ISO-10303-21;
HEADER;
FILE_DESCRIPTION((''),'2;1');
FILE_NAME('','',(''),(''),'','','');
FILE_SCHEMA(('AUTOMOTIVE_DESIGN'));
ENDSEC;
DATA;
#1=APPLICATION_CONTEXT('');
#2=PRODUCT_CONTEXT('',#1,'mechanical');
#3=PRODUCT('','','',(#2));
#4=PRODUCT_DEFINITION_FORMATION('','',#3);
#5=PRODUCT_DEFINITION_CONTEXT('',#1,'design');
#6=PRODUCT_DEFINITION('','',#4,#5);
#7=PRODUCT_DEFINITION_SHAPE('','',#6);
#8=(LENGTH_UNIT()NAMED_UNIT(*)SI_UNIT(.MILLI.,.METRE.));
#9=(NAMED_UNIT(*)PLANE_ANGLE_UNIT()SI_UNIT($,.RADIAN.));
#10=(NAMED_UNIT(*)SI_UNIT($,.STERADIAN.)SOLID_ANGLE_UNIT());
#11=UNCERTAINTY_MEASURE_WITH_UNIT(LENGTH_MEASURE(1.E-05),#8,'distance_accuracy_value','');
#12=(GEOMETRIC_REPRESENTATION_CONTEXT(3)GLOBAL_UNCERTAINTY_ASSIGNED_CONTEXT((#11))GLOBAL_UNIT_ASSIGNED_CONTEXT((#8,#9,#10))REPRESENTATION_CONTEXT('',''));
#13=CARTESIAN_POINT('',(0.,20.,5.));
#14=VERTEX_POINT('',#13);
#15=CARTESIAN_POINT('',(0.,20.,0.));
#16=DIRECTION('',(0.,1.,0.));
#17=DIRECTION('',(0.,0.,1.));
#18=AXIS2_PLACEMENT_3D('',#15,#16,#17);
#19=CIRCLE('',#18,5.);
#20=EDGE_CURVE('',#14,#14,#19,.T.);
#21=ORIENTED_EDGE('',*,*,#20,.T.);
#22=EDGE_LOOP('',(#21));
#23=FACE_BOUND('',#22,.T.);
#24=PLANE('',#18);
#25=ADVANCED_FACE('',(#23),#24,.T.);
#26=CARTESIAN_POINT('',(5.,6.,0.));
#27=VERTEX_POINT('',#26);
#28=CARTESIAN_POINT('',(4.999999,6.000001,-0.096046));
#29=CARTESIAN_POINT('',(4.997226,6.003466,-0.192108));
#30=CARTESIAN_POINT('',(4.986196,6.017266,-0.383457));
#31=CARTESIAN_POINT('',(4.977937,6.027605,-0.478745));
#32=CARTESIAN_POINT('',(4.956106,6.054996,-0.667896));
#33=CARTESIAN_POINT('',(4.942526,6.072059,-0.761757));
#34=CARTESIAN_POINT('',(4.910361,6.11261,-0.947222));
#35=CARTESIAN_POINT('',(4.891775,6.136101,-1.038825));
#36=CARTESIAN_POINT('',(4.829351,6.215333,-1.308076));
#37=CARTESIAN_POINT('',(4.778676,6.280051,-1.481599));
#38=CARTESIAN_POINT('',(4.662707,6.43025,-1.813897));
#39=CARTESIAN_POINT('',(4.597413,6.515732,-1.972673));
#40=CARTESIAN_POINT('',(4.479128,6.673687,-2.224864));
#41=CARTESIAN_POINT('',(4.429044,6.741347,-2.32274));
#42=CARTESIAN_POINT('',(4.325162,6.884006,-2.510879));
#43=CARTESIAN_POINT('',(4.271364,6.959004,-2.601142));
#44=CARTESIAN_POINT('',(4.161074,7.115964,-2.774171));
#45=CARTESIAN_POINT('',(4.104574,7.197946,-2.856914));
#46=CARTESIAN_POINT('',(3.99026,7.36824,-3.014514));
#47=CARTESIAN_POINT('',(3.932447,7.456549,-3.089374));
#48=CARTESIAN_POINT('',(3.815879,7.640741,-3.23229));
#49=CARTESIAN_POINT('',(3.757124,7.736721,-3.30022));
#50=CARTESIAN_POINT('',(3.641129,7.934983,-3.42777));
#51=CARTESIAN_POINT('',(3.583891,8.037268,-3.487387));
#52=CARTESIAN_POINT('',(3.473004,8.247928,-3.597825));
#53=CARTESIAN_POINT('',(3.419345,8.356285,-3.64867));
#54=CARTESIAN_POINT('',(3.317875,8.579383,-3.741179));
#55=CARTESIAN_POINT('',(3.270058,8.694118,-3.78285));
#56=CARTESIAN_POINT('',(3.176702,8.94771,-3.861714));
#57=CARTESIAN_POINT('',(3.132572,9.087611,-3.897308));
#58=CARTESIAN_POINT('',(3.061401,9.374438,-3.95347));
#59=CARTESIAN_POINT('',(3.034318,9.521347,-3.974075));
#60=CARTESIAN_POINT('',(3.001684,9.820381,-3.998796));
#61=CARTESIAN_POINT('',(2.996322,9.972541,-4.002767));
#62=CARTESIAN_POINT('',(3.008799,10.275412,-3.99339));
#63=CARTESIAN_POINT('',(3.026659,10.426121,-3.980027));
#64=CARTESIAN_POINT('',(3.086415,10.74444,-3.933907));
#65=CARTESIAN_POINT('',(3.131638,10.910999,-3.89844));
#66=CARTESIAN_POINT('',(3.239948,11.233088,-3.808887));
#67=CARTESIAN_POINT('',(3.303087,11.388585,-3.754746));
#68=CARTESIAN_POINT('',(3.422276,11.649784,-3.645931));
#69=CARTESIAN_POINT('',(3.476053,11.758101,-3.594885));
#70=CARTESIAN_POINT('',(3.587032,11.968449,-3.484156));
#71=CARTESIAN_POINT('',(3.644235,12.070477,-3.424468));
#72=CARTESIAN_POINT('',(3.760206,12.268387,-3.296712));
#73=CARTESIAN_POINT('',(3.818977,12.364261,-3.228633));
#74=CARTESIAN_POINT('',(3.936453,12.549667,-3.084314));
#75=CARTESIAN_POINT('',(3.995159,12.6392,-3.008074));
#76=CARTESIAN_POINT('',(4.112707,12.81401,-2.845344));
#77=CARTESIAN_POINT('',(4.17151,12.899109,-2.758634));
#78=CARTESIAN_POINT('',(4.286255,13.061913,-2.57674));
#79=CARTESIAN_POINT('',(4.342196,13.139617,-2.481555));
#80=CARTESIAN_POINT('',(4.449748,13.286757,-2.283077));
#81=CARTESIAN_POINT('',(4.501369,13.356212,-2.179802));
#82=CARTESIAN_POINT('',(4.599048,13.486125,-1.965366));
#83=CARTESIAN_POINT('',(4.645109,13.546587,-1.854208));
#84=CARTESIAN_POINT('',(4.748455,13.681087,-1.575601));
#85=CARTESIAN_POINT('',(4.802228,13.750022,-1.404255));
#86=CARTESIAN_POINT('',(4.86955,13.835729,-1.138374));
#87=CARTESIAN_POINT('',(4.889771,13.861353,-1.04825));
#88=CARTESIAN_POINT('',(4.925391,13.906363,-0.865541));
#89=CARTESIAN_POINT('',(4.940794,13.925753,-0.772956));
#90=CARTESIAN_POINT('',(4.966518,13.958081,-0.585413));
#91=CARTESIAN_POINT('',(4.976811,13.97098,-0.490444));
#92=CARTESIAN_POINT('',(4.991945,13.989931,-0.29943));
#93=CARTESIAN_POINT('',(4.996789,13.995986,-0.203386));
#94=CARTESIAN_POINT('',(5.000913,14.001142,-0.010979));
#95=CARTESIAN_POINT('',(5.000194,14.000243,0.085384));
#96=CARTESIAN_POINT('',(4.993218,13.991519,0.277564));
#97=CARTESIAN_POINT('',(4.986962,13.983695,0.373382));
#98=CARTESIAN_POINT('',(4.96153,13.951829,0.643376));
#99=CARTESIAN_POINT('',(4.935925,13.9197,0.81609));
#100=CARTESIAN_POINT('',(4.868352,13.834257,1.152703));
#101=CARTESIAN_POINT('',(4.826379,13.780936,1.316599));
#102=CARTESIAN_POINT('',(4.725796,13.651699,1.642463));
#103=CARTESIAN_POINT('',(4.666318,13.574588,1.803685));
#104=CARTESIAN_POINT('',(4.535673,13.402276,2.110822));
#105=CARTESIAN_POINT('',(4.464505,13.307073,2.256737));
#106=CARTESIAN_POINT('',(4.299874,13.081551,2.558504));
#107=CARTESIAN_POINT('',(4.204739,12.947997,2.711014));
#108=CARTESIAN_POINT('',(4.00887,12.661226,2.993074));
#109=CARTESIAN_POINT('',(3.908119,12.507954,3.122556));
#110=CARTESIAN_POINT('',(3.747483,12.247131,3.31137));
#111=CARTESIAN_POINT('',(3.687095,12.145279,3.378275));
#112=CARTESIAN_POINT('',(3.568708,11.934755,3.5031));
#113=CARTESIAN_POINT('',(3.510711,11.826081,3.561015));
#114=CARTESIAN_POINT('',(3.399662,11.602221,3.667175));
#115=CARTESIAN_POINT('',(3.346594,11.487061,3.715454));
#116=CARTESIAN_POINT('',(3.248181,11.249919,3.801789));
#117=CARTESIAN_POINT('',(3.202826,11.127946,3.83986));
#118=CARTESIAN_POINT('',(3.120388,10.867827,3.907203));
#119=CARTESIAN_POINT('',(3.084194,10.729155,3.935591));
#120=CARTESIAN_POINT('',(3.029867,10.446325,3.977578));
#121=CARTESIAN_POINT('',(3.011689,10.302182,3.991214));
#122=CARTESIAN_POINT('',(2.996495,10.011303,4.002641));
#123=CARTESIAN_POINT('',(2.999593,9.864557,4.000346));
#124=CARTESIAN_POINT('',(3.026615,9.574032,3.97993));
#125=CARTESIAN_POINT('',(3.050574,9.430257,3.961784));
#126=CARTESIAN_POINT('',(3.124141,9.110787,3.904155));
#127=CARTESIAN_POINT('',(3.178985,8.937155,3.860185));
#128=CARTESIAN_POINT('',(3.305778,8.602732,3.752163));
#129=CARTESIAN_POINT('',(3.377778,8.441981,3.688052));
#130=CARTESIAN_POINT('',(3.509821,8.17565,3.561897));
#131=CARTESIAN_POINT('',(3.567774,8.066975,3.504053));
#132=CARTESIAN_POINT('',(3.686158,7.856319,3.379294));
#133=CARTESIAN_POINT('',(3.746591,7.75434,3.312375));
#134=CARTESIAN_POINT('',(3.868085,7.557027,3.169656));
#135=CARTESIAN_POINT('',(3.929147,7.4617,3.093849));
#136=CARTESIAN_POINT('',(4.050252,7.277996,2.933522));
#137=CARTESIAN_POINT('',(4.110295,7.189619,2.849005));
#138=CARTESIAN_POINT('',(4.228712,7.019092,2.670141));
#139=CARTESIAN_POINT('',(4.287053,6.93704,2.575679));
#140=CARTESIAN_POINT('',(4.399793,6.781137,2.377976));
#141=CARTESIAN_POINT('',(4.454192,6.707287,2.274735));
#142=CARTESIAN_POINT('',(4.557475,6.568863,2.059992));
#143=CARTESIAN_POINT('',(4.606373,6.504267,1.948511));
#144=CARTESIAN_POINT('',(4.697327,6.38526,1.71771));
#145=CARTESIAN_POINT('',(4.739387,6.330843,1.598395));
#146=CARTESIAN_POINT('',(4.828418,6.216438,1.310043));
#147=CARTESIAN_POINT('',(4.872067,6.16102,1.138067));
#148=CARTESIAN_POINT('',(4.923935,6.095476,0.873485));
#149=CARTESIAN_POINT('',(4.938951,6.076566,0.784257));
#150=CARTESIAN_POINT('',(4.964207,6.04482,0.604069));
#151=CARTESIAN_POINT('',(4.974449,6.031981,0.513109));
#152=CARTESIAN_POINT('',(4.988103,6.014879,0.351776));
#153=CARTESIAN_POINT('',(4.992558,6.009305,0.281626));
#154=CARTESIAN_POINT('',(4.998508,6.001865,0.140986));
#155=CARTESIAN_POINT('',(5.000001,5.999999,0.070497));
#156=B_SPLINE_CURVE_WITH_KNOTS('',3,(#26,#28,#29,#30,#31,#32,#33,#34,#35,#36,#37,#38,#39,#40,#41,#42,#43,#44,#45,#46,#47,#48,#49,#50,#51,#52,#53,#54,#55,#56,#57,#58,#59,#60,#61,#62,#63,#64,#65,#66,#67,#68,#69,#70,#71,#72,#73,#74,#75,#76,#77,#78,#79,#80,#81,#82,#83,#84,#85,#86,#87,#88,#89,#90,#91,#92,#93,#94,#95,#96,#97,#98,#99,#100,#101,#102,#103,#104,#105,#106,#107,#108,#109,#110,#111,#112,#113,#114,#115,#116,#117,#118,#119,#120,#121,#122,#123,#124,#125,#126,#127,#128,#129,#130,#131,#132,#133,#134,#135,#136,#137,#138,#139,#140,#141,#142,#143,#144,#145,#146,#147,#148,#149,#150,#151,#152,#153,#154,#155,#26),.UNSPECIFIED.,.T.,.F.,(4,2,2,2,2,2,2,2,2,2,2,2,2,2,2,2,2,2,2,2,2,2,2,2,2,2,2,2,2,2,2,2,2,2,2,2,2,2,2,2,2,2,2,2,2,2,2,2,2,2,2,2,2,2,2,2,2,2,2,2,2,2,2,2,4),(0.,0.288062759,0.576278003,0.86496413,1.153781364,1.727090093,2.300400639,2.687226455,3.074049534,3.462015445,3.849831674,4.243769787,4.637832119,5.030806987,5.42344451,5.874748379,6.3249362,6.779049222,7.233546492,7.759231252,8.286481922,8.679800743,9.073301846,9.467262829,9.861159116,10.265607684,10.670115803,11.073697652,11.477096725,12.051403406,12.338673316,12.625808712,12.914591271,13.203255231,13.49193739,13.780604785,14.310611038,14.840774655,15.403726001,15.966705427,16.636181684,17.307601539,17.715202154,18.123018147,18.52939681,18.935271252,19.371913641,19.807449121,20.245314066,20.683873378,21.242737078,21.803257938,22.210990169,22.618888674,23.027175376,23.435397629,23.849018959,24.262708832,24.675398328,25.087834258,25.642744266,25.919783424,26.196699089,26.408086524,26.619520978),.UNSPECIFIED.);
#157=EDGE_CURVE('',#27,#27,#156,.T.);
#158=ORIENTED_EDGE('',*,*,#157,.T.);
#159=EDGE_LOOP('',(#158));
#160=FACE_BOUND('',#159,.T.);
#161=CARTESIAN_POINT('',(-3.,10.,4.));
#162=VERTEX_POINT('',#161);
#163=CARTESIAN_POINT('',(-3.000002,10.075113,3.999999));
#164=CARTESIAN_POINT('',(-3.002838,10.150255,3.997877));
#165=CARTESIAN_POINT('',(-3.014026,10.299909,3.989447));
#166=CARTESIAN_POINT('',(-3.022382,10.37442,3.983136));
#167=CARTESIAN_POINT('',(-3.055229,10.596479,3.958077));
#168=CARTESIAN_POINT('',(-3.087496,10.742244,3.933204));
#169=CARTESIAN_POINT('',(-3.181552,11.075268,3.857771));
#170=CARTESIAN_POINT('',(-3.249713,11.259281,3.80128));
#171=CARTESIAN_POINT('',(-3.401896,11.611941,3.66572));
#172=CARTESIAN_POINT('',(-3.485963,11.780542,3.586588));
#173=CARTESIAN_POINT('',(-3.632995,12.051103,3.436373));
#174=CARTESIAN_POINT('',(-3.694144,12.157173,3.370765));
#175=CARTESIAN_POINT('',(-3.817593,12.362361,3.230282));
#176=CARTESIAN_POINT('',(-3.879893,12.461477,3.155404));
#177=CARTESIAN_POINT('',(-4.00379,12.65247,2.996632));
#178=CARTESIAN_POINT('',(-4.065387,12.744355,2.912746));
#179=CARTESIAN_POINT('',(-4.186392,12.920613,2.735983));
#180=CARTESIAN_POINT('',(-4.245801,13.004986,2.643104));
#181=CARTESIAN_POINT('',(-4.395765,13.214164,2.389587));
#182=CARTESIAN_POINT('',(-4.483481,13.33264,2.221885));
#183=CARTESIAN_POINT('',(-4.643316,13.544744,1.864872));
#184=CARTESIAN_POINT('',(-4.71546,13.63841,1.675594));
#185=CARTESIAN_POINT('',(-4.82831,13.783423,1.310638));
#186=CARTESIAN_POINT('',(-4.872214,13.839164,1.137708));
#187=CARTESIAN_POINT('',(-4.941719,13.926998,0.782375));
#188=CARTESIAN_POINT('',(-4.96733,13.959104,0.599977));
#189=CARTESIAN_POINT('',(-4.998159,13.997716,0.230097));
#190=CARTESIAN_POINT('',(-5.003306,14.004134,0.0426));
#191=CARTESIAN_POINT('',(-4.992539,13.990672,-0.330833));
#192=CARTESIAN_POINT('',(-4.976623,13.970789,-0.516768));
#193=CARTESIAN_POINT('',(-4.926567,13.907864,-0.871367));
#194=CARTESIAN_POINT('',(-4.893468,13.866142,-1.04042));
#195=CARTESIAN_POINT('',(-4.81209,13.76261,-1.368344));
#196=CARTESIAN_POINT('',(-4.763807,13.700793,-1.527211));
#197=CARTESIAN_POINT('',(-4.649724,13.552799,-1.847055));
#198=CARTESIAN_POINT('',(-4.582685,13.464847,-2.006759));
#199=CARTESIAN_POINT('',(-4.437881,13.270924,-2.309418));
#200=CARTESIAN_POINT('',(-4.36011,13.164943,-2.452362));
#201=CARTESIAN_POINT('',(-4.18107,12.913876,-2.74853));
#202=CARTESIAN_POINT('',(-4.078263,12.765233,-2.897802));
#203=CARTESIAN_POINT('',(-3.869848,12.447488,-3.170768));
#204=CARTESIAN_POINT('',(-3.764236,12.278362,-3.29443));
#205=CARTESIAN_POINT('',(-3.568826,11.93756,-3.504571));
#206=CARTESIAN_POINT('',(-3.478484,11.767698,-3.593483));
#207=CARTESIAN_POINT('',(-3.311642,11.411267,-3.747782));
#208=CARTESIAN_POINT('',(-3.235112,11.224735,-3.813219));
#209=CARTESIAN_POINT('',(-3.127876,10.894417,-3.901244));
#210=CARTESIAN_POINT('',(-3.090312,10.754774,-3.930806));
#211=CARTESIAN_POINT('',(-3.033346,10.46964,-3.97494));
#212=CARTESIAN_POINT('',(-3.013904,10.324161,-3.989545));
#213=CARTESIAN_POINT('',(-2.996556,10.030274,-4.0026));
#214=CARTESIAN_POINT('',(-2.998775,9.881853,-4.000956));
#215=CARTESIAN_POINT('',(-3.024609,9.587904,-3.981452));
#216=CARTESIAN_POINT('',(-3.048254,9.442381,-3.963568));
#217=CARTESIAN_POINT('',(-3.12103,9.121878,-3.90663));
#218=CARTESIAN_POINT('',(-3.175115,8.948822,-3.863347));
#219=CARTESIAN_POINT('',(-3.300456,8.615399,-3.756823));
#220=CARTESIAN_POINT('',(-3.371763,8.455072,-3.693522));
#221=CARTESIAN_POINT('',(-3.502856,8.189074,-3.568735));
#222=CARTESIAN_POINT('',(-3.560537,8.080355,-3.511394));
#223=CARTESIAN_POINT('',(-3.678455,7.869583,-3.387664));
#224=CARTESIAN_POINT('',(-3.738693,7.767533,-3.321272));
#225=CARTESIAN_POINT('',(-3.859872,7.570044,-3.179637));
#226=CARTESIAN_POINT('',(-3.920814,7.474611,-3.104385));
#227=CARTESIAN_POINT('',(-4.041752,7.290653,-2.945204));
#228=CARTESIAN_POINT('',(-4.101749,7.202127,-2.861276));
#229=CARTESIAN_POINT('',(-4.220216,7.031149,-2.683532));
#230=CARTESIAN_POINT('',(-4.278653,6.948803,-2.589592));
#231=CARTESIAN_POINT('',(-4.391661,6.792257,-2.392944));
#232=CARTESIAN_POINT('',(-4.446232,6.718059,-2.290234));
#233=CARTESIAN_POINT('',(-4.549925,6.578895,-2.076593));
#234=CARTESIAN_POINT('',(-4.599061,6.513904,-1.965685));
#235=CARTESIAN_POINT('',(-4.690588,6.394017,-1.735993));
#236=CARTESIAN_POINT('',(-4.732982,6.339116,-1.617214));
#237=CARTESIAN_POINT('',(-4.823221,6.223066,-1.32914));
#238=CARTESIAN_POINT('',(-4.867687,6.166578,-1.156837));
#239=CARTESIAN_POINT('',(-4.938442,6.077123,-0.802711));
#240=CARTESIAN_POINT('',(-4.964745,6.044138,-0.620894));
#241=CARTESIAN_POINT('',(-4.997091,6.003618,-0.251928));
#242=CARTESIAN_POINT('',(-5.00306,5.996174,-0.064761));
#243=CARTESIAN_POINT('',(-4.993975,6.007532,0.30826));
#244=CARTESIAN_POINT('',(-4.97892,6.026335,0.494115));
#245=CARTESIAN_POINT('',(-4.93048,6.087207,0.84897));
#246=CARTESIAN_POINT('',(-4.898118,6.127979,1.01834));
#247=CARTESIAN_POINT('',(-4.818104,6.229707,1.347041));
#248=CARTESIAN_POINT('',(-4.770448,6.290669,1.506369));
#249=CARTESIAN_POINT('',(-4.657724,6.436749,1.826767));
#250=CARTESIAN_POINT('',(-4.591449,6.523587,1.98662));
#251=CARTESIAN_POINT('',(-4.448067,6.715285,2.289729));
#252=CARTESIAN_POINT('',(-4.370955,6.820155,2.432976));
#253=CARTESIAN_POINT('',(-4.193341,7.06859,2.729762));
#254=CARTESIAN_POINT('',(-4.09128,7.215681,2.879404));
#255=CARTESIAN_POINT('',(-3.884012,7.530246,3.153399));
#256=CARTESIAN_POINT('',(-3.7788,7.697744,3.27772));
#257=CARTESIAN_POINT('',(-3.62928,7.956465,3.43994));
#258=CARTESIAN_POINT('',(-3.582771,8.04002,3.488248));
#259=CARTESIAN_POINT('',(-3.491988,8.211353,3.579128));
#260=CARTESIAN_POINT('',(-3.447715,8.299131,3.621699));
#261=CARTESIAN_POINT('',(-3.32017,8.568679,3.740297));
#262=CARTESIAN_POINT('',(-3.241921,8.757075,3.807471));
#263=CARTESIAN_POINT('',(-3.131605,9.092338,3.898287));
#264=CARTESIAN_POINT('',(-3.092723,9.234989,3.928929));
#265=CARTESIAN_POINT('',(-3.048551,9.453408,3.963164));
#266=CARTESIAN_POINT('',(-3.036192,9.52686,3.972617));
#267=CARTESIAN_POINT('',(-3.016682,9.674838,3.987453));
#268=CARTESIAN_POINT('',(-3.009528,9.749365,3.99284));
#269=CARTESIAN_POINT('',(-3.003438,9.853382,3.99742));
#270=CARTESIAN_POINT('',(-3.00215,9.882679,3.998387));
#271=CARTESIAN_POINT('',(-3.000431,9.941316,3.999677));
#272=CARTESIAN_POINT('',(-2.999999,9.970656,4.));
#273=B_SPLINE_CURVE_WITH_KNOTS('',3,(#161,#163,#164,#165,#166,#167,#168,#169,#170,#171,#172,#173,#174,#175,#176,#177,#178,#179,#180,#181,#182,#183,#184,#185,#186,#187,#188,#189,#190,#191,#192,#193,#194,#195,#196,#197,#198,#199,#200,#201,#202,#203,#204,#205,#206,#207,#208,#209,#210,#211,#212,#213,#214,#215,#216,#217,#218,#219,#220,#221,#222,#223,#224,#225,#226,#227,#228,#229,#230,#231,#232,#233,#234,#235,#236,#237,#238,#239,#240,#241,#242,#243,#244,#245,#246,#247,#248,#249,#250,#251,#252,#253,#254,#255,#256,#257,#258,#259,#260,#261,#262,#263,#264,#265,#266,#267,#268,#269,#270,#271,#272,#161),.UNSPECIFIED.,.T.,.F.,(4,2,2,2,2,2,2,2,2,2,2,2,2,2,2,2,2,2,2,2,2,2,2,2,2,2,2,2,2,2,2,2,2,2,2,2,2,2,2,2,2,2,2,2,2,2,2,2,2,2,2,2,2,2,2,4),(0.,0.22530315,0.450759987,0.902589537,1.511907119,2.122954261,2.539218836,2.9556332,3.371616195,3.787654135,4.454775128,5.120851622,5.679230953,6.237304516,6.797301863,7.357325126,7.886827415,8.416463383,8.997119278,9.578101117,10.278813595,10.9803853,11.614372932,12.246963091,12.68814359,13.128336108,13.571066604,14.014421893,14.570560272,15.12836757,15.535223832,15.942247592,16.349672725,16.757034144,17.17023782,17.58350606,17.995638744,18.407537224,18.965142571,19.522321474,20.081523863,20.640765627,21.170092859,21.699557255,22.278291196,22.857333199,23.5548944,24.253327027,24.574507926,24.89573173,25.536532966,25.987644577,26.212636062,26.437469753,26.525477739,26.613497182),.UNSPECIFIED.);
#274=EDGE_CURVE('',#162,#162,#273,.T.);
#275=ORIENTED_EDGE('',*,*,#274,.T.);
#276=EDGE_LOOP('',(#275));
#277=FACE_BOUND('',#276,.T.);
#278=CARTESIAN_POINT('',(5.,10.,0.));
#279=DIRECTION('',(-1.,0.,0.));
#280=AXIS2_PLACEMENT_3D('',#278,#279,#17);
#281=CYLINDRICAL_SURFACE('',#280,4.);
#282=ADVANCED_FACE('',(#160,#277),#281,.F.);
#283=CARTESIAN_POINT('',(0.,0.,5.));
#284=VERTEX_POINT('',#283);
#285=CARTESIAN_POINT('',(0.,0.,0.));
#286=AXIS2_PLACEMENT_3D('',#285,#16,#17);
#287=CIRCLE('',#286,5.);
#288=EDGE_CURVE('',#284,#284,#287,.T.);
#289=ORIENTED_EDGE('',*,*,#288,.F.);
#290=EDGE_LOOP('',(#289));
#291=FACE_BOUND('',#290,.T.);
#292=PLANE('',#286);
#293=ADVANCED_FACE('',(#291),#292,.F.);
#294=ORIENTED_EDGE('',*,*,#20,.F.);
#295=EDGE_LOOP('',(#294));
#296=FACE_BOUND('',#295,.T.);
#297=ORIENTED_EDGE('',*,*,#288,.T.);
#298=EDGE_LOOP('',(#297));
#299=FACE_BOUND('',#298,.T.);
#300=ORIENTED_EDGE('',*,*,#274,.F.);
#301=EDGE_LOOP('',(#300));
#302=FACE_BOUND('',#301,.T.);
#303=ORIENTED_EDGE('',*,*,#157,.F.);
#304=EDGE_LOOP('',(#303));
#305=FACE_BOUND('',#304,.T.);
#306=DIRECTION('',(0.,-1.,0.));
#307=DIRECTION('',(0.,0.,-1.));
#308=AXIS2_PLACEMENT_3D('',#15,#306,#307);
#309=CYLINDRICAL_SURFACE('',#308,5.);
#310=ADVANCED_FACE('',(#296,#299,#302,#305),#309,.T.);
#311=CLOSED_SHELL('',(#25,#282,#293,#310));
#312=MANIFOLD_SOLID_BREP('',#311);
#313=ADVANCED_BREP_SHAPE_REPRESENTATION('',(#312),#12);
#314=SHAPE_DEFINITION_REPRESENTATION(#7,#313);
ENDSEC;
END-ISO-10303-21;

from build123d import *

# Parameters (mm, degrees)
SKETCH_1_R               = 5
EXTRUDE_1_DEPTH          = 20
CUT_EXTRUDE_1_DEPTH      = 22.213203436
CUT_EXTRUDE_1_DEPTH_BACK = 22.213203436
SKETCH_2_R               = 4


with BuildPart() as part:
    # 草图1 → 凸台-拉伸1 (new body)
    with BuildSketch(Plane(origin=(0, 0, 0), x_dir=(1, 0, 0), z_dir=(0, 1, 0))):
        with Locations(Location((0, 0, 0), (0, 0, 270))):
            Circle(SKETCH_1_R)
    extrude(amount=EXTRUDE_1_DEPTH)

    # 草图2 → 切除-拉伸1 (cut, two sides: drawn at the far end of the back side and taken through both)
    with BuildSketch(Plane(origin=(0, 0, 0), x_dir=(0, 0, -1), z_dir=(1, 0, 0)).offset(-CUT_EXTRUDE_1_DEPTH_BACK)):
        with Locations(Location((0, 10, 0), (0, 0, 180))):
            Circle(SKETCH_2_R)
    extrude(amount=CUT_EXTRUDE_1_DEPTH + CUT_EXTRUDE_1_DEPTH_BACK, mode=Mode.SUBTRACT)


solid = part.part
